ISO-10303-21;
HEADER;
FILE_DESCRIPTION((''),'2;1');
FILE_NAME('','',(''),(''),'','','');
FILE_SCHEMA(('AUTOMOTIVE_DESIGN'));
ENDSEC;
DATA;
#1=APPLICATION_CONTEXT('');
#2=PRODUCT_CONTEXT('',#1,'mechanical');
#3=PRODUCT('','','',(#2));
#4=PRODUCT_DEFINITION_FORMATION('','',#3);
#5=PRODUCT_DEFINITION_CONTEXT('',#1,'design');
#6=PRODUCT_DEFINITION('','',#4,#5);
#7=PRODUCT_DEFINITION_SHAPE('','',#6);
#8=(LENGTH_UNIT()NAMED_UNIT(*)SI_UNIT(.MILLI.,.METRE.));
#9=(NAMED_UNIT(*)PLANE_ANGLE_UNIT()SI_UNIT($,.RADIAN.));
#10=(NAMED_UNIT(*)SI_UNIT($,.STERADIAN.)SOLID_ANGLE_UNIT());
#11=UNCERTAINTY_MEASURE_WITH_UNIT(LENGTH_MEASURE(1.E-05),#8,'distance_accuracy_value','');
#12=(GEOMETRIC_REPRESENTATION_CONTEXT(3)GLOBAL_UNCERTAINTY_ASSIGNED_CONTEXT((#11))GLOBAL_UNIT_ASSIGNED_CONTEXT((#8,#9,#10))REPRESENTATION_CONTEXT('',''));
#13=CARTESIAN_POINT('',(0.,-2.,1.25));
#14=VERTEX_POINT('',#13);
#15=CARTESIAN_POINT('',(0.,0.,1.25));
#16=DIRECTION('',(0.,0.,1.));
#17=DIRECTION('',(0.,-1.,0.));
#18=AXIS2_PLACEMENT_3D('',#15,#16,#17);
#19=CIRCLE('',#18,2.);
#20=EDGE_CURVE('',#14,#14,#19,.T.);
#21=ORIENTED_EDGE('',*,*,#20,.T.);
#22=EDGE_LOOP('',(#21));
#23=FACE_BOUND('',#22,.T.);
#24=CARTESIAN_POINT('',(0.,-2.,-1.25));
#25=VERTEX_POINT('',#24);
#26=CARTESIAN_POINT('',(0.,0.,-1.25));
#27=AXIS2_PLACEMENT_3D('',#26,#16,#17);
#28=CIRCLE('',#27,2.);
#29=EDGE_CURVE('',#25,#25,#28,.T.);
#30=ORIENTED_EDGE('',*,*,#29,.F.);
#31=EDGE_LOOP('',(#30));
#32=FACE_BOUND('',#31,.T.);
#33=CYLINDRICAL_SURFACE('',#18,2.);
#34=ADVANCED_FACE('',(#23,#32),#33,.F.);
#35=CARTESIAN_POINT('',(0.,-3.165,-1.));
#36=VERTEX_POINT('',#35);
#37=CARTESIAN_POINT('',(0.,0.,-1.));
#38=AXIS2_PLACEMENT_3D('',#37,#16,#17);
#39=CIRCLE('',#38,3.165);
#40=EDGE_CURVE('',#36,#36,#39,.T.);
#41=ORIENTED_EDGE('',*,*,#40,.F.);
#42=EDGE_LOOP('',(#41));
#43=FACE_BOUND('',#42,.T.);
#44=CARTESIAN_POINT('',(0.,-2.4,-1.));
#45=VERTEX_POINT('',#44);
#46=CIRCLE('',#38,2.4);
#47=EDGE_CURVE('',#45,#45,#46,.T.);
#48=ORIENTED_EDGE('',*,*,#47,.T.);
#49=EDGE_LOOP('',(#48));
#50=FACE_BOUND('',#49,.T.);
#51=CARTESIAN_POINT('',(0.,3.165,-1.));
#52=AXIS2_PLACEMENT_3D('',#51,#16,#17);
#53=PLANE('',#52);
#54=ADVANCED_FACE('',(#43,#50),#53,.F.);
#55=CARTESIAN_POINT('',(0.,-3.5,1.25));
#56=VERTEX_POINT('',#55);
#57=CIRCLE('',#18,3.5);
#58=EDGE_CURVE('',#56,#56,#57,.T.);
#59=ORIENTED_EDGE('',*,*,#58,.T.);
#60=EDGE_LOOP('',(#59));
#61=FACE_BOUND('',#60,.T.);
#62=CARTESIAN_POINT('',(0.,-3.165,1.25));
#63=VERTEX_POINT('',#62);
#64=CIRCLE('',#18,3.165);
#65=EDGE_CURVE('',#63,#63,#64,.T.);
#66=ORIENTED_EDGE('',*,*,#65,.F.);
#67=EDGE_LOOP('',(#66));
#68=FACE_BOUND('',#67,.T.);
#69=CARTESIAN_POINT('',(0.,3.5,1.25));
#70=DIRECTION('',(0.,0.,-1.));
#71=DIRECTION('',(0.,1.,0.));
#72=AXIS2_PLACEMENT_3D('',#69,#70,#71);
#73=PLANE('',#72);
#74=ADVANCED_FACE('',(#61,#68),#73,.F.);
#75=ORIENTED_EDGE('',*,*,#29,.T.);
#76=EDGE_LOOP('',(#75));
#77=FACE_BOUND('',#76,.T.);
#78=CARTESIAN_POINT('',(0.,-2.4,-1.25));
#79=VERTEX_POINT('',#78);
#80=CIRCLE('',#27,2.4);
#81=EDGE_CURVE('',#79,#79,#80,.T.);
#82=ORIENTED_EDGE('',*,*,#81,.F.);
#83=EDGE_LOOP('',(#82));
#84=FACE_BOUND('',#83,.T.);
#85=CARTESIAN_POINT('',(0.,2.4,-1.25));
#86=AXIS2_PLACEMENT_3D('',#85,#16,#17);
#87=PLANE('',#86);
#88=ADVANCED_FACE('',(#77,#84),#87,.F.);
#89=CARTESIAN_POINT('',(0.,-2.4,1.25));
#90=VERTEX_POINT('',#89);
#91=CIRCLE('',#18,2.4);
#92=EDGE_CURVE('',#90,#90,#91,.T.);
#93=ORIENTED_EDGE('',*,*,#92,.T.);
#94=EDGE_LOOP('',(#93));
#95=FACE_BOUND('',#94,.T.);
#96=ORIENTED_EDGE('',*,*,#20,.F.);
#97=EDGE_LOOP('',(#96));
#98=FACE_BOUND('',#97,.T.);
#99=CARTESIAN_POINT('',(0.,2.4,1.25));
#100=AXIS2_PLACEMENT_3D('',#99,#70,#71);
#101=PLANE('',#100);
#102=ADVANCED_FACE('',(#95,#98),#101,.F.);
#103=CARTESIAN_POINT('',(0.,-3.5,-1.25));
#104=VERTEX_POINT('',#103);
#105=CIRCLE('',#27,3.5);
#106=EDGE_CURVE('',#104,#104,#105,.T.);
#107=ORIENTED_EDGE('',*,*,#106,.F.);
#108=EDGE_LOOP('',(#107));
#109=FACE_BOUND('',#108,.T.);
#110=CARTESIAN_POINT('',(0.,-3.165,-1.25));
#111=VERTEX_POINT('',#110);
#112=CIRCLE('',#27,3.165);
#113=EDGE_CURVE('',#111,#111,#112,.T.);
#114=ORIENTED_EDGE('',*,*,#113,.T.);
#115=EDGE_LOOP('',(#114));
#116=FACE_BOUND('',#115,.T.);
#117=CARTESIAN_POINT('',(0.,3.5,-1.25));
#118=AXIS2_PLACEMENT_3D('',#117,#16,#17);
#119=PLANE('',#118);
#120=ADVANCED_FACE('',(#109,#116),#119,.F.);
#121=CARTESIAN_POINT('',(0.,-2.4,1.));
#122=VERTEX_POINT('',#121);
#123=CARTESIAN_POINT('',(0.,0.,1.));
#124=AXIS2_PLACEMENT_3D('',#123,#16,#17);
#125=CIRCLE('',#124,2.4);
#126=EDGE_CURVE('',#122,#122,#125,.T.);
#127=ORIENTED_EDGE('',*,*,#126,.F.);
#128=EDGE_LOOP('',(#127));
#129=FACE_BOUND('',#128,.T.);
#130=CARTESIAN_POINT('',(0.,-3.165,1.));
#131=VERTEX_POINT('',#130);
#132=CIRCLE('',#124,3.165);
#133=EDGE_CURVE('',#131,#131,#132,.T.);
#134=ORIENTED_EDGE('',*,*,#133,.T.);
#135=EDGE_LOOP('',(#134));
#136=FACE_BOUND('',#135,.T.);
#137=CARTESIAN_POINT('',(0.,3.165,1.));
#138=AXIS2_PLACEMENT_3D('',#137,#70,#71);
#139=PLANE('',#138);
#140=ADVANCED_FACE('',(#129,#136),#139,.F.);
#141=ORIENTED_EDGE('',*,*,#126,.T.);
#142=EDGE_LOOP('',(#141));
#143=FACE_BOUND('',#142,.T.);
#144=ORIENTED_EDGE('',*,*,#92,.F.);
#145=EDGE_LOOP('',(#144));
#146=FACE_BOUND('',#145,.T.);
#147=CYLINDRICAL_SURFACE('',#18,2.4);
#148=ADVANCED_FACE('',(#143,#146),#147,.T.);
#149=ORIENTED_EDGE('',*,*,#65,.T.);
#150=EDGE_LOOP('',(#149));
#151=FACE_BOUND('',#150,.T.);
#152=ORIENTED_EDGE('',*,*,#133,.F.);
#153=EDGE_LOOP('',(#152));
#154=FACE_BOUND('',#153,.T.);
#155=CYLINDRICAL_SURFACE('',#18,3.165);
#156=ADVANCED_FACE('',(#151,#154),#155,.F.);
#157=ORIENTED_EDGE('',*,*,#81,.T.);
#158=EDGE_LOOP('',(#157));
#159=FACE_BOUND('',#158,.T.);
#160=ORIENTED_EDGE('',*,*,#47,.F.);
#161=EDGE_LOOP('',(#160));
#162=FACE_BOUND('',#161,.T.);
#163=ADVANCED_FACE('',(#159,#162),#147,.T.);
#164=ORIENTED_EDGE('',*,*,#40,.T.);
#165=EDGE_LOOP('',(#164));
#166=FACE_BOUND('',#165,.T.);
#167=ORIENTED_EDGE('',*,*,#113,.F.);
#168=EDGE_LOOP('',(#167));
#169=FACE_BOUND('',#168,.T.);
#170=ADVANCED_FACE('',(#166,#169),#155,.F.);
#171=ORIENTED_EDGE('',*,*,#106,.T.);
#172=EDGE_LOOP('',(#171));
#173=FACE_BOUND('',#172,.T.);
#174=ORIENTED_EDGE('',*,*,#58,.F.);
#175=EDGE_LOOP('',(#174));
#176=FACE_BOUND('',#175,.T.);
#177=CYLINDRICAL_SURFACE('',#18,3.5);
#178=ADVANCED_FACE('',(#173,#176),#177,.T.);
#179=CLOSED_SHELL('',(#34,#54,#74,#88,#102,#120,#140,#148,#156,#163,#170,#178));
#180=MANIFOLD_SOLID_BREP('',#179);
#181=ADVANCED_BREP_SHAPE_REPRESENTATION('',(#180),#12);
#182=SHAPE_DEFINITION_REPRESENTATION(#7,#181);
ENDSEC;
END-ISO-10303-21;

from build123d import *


with BuildPart() as part:
    # Sketch1 → Revolve1 (revolve)
    with BuildSketch(Plane(origin=(0, 0, 0), x_dir=(0, 0, -1), z_dir=(1, 0, 0)), mode=Mode.PRIVATE) as revolve1_sk:
        Polygon((-1.25, 3.5), (1.25, 3.5), (1.25, 3.165), (1, 3.165), (1, 2.4), (1.25, 2.4), (1.25, 2), (-1.25, 2), (-1.25, 2.4), (-1, 2.4), (-1, 3.165), (-1.25, 3.165), align=None)
    revolve(revolve1_sk.sketch.rotate(Axis((0, 0, 1.25), (0, 0, -1)), 180), axis=Axis((0, 0, 1.25), (0, 0, -1)))


solid = part.part
